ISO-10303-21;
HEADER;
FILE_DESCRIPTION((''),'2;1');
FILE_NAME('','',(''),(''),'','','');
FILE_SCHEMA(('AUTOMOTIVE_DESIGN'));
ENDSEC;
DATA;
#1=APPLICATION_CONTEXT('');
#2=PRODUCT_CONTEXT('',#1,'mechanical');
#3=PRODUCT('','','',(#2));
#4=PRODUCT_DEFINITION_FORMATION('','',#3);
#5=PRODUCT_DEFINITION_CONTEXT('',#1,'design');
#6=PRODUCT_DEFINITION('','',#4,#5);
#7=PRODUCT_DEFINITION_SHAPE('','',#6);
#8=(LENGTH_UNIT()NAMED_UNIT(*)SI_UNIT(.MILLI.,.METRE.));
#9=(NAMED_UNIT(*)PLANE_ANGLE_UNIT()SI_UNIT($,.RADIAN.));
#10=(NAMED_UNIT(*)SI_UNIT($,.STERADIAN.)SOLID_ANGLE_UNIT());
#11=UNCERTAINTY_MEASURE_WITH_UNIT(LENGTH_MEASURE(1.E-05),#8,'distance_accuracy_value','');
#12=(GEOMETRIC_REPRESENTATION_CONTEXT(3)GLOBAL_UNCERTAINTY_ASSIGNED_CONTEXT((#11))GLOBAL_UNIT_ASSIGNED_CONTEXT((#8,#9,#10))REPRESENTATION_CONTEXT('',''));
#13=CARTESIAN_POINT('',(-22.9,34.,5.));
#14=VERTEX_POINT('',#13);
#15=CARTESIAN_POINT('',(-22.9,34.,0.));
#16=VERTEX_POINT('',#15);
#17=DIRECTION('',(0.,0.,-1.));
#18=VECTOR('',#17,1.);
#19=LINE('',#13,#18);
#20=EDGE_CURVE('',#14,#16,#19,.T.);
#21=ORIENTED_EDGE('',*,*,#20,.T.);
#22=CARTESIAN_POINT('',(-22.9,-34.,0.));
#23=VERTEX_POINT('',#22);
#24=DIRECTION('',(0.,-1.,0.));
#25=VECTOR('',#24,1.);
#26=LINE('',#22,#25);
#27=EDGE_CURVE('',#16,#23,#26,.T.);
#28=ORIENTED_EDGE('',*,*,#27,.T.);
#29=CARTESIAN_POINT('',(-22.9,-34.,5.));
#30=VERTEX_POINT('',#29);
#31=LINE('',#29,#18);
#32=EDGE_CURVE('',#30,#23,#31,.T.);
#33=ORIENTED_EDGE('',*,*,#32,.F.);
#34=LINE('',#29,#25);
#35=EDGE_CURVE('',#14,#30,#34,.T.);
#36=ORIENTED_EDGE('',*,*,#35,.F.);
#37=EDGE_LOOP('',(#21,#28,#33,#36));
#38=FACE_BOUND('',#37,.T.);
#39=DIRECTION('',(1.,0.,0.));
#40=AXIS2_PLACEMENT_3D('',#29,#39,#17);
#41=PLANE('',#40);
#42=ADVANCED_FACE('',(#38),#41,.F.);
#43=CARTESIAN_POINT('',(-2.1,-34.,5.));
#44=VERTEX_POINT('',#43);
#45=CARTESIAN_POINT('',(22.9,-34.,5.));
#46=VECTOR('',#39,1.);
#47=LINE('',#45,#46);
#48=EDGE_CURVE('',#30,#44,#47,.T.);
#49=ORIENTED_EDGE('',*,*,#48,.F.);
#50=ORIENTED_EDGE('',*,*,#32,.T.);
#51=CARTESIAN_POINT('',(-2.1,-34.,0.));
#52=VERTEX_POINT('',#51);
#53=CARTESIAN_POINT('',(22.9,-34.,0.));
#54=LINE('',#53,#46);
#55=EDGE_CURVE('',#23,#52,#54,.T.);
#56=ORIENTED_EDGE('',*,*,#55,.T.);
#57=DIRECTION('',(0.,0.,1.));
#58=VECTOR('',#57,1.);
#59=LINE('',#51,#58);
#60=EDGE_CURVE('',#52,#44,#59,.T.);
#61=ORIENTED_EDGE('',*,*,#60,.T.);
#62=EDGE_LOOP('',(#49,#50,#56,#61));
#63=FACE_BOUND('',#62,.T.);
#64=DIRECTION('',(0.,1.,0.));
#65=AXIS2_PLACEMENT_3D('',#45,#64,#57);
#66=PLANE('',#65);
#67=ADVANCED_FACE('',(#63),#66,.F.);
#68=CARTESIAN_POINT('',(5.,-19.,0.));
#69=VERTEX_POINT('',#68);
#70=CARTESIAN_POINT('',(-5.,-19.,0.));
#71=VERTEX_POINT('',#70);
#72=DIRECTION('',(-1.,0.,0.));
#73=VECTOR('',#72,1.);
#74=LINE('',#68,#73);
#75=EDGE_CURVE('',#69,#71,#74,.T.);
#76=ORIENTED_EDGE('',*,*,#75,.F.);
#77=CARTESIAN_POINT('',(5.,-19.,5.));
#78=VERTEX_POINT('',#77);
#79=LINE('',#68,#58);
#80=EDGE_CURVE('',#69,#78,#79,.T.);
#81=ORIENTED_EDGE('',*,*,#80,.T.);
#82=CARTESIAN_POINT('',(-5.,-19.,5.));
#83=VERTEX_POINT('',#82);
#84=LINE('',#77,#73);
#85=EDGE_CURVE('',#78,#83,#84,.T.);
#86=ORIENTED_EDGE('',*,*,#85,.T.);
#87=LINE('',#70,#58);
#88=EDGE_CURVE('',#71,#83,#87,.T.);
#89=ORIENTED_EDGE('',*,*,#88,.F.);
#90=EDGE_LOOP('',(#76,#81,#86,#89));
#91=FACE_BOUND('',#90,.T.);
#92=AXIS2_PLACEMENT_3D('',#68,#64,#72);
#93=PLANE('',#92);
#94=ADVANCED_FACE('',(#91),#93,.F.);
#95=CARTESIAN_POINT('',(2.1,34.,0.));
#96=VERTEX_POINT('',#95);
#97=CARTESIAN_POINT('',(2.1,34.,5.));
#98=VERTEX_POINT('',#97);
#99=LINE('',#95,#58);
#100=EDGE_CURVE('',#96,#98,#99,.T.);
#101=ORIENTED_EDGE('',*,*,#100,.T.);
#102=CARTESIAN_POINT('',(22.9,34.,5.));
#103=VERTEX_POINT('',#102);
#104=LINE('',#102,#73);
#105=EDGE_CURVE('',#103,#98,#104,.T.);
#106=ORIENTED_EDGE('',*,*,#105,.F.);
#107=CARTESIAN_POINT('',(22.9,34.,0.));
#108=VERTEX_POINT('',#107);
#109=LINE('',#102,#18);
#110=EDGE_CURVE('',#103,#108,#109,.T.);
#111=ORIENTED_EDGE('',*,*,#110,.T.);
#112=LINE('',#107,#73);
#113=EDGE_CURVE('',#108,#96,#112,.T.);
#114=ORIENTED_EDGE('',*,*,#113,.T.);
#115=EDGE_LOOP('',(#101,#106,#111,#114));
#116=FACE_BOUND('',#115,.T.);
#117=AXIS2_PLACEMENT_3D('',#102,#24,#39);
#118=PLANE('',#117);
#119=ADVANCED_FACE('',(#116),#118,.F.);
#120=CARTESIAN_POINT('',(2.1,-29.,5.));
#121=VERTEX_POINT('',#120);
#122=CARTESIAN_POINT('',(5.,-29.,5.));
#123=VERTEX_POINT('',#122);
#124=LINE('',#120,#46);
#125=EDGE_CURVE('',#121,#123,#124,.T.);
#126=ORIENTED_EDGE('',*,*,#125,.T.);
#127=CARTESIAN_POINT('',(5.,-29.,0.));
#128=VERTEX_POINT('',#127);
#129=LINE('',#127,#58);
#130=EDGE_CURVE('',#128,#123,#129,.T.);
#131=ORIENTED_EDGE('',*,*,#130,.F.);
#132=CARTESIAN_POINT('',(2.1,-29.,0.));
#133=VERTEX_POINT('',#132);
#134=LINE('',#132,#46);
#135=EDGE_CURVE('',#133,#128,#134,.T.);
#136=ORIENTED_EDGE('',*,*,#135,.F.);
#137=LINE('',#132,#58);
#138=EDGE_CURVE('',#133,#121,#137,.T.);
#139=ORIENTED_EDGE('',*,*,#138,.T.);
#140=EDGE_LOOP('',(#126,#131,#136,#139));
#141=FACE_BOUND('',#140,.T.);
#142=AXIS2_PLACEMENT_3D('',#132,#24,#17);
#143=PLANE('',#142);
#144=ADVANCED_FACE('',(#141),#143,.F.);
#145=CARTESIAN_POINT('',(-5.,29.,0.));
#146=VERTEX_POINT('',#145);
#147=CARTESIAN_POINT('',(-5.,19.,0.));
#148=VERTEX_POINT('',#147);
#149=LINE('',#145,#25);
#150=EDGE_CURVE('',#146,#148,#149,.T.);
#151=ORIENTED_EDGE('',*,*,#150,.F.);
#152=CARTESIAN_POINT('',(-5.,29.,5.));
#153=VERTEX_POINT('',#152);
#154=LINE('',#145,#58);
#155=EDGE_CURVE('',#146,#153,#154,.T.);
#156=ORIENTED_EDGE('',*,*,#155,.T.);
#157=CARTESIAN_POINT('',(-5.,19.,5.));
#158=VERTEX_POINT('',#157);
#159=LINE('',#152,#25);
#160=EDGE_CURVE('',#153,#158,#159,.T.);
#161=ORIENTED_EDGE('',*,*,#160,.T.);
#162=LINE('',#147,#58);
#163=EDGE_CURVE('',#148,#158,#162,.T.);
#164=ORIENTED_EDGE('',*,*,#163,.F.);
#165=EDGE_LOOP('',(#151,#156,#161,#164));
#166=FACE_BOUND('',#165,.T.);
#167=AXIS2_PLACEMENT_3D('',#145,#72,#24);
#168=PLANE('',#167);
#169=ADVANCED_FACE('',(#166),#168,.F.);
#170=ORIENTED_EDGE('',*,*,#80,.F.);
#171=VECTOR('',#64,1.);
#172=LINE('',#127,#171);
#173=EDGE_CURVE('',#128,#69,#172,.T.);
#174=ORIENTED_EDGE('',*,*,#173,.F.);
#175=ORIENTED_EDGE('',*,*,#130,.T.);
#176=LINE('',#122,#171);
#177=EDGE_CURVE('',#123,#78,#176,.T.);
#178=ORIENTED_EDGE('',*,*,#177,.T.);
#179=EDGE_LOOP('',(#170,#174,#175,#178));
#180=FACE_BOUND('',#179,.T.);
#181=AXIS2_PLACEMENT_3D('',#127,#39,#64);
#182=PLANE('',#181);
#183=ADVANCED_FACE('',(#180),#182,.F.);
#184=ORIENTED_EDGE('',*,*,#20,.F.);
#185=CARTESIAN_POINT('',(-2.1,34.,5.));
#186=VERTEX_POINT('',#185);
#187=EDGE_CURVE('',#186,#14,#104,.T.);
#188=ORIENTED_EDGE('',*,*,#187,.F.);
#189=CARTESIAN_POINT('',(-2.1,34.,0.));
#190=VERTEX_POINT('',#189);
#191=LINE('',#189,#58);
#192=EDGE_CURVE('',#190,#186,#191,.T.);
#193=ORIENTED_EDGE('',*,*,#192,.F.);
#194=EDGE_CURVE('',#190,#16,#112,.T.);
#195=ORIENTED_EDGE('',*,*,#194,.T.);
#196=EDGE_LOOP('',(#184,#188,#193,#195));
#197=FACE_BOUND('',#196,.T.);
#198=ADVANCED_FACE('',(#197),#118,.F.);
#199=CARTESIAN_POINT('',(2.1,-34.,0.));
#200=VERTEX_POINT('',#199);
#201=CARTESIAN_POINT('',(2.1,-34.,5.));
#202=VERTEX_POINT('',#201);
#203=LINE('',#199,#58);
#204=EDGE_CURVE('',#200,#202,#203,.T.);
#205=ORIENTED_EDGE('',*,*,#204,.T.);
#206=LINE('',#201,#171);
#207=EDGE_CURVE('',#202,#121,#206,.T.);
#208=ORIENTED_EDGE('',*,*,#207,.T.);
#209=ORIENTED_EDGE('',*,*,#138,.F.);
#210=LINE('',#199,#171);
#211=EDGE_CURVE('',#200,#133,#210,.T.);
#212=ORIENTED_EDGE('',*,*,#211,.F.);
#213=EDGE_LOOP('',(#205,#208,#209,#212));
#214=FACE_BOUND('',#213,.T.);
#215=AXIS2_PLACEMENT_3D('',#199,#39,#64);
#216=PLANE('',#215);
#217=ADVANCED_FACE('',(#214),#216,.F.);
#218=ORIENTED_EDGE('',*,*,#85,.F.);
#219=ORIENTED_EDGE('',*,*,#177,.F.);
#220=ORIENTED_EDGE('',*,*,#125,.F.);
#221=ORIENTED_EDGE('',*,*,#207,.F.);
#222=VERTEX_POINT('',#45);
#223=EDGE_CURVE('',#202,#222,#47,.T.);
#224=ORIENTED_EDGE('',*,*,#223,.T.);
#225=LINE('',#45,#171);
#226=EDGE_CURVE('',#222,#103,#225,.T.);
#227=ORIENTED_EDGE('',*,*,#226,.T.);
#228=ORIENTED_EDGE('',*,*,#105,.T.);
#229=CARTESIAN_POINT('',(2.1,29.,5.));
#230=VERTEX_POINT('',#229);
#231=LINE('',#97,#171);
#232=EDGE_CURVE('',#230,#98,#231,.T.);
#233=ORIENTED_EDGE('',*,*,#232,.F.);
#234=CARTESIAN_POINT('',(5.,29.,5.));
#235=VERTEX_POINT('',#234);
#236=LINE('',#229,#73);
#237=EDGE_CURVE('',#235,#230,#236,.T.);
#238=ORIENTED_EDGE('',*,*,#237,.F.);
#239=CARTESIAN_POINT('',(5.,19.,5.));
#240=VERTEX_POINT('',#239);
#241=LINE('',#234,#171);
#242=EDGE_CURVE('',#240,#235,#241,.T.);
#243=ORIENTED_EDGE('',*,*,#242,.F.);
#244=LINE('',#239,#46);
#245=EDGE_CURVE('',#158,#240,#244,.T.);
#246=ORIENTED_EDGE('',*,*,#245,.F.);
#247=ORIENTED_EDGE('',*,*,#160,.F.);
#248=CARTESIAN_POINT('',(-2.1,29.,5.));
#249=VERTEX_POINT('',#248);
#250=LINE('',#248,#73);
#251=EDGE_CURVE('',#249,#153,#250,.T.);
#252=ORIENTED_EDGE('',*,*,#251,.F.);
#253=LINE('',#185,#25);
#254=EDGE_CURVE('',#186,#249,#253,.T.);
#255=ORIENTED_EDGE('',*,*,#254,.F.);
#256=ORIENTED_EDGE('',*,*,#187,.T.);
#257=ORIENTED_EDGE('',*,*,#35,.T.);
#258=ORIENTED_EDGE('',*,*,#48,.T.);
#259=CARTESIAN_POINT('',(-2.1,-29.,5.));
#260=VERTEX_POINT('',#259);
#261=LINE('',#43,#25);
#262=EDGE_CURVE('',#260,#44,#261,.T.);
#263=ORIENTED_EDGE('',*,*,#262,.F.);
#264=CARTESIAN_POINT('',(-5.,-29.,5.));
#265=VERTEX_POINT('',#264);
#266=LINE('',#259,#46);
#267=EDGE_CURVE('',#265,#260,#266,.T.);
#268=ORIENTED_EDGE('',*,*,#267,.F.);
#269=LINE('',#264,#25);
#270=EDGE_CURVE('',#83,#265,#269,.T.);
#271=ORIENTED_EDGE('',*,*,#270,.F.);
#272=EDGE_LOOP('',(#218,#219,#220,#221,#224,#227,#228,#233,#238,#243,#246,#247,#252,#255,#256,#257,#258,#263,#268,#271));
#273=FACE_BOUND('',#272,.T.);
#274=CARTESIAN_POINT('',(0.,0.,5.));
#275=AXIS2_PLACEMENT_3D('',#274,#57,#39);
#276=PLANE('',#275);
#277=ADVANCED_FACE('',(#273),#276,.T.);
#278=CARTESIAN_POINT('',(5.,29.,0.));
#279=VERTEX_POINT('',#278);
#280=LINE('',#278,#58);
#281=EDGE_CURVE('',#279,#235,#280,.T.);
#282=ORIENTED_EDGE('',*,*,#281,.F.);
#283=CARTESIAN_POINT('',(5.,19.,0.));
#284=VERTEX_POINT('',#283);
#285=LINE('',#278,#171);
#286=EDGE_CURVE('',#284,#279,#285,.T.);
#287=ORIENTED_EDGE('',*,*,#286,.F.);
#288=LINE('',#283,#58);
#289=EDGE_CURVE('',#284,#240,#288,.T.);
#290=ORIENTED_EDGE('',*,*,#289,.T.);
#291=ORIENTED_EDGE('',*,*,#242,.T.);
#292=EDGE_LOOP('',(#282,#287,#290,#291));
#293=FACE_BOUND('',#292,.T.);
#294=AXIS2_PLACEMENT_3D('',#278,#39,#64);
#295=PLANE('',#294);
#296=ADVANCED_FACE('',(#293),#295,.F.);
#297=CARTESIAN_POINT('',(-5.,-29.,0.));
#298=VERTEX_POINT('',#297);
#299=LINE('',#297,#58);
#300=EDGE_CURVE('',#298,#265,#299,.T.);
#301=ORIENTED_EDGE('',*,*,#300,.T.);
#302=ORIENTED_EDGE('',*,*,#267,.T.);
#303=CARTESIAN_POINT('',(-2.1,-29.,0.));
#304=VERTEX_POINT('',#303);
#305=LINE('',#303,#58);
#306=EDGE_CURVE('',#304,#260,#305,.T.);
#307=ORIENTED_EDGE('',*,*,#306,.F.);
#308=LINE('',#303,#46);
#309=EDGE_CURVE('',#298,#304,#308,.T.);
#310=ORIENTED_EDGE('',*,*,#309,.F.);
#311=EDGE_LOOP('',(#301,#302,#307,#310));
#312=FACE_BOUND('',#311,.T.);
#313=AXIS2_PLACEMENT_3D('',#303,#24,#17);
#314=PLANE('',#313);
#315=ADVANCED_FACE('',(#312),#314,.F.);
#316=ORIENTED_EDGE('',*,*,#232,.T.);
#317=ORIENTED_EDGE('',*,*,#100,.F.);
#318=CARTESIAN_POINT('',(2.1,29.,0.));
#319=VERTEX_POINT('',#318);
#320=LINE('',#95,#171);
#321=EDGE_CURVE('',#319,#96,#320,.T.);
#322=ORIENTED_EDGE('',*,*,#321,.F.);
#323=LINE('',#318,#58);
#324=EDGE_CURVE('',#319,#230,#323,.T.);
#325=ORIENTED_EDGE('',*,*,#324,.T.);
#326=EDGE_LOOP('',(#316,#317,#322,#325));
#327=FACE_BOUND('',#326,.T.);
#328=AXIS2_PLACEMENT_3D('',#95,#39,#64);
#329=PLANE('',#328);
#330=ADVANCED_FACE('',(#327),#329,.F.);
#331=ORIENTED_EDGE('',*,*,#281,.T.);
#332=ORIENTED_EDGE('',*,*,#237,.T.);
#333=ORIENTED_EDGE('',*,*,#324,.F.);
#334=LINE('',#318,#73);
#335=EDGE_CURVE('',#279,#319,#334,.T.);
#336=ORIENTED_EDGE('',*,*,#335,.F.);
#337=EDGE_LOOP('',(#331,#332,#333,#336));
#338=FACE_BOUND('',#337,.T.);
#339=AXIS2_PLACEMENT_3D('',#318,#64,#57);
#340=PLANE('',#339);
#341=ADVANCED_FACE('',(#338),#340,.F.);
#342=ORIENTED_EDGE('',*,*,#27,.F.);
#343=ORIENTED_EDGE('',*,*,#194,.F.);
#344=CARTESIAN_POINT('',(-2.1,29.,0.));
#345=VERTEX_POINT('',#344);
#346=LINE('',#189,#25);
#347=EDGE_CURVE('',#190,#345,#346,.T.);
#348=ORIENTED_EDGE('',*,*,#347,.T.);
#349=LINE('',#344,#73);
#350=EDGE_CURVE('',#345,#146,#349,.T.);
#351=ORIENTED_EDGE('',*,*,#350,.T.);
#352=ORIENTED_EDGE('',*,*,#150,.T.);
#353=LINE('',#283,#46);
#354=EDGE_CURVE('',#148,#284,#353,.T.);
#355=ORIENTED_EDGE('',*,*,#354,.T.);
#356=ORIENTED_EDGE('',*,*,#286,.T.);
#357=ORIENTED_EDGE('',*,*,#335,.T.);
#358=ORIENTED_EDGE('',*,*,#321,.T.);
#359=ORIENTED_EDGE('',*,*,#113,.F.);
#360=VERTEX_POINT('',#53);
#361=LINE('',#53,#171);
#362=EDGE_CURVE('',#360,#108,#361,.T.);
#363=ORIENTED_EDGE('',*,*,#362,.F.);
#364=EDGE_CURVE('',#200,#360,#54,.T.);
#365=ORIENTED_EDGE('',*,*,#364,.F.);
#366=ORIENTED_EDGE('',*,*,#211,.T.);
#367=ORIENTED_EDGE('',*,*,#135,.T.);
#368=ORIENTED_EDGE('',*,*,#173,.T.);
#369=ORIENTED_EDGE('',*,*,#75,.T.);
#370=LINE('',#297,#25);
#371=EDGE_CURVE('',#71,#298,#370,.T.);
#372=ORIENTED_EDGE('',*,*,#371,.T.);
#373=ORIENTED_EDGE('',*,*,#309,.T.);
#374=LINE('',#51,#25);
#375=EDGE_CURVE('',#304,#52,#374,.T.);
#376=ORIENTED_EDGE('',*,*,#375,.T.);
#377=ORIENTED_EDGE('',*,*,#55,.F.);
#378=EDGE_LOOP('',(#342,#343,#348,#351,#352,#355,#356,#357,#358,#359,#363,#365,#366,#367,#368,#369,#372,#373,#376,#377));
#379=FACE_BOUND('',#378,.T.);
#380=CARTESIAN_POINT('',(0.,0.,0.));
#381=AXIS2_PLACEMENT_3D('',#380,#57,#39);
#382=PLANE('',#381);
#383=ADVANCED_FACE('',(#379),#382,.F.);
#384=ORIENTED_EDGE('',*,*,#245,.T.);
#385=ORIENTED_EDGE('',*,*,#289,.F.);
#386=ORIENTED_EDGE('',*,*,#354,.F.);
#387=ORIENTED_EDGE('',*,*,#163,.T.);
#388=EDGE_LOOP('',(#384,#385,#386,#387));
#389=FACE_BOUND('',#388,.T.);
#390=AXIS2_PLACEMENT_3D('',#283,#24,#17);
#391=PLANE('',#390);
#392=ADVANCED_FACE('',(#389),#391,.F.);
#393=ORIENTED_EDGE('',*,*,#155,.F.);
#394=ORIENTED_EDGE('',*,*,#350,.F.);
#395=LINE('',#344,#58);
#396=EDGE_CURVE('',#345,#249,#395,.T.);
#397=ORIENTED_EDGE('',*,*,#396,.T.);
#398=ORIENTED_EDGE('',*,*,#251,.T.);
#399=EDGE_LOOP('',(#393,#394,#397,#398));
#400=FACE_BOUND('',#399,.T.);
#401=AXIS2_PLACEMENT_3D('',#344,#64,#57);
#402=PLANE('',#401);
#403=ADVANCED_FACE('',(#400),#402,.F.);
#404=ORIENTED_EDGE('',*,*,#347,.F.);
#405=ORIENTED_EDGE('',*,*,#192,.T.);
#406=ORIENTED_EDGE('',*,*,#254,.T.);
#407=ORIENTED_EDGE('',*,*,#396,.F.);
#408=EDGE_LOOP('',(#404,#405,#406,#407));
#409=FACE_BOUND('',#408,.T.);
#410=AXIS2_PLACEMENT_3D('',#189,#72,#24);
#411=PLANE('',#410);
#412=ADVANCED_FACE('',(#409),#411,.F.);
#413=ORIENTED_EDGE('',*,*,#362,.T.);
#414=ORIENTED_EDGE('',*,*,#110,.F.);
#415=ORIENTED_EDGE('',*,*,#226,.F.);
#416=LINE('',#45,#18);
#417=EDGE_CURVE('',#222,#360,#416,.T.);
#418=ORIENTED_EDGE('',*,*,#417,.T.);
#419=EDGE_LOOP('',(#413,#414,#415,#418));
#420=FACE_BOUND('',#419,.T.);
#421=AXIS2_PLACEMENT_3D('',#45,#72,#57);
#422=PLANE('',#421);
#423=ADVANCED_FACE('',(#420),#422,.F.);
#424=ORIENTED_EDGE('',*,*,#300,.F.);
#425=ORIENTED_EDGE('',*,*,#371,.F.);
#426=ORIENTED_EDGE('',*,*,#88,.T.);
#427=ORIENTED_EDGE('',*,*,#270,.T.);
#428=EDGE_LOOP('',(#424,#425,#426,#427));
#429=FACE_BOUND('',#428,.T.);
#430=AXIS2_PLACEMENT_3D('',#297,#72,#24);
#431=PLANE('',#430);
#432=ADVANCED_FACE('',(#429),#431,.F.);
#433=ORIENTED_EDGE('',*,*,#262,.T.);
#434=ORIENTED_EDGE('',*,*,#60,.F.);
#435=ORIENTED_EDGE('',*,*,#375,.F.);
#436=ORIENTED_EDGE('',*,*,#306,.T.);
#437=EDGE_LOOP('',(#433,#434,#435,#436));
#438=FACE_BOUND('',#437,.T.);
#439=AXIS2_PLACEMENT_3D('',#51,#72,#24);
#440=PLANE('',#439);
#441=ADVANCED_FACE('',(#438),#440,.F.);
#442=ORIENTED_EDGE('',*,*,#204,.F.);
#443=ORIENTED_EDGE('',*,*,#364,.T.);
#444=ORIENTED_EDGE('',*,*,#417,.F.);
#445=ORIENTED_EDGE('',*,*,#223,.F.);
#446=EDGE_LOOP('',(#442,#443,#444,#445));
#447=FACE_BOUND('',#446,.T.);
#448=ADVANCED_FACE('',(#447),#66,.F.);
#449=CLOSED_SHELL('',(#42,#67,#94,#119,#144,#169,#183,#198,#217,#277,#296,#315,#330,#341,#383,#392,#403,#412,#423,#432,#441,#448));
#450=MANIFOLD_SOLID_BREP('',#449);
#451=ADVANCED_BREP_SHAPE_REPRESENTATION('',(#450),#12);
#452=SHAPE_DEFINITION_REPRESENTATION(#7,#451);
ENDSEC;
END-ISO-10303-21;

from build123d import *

# Parameters (mm, degrees)
SKETCH1_W           = 45.8
SKETCH1_H           = 68
BOSS_EXTRUDE1_DEPTH = 5
CUT_EXTRUDE1_DEPTH  = 5


with BuildPart() as part:
    # Sketch1 → Boss-Extrude1 (new body)
    with BuildSketch(Plane.XY):
        Rectangle(SKETCH1_W, SKETCH1_H)
    extrude(amount=BOSS_EXTRUDE1_DEPTH)

    # Sketch2 → Cut-Extrude1 (cut)
    with BuildSketch(Plane.XY.offset(5)):
        Polygon((-2.1, 34), (2.1, 34), (2.1, 29), (5, 29), (5, 19), (-5, 19), (-5, 29), (-2.1, 29), align=None)
        Polygon((-2.1, -34), (-2.1, -29), (-5, -29), (-5, -19), (5, -19), (5, -29), (2.1, -29), (2.1, -34), align=None)
    extrude(amount=-CUT_EXTRUDE1_DEPTH, mode=Mode.SUBTRACT)


solid = part.part
